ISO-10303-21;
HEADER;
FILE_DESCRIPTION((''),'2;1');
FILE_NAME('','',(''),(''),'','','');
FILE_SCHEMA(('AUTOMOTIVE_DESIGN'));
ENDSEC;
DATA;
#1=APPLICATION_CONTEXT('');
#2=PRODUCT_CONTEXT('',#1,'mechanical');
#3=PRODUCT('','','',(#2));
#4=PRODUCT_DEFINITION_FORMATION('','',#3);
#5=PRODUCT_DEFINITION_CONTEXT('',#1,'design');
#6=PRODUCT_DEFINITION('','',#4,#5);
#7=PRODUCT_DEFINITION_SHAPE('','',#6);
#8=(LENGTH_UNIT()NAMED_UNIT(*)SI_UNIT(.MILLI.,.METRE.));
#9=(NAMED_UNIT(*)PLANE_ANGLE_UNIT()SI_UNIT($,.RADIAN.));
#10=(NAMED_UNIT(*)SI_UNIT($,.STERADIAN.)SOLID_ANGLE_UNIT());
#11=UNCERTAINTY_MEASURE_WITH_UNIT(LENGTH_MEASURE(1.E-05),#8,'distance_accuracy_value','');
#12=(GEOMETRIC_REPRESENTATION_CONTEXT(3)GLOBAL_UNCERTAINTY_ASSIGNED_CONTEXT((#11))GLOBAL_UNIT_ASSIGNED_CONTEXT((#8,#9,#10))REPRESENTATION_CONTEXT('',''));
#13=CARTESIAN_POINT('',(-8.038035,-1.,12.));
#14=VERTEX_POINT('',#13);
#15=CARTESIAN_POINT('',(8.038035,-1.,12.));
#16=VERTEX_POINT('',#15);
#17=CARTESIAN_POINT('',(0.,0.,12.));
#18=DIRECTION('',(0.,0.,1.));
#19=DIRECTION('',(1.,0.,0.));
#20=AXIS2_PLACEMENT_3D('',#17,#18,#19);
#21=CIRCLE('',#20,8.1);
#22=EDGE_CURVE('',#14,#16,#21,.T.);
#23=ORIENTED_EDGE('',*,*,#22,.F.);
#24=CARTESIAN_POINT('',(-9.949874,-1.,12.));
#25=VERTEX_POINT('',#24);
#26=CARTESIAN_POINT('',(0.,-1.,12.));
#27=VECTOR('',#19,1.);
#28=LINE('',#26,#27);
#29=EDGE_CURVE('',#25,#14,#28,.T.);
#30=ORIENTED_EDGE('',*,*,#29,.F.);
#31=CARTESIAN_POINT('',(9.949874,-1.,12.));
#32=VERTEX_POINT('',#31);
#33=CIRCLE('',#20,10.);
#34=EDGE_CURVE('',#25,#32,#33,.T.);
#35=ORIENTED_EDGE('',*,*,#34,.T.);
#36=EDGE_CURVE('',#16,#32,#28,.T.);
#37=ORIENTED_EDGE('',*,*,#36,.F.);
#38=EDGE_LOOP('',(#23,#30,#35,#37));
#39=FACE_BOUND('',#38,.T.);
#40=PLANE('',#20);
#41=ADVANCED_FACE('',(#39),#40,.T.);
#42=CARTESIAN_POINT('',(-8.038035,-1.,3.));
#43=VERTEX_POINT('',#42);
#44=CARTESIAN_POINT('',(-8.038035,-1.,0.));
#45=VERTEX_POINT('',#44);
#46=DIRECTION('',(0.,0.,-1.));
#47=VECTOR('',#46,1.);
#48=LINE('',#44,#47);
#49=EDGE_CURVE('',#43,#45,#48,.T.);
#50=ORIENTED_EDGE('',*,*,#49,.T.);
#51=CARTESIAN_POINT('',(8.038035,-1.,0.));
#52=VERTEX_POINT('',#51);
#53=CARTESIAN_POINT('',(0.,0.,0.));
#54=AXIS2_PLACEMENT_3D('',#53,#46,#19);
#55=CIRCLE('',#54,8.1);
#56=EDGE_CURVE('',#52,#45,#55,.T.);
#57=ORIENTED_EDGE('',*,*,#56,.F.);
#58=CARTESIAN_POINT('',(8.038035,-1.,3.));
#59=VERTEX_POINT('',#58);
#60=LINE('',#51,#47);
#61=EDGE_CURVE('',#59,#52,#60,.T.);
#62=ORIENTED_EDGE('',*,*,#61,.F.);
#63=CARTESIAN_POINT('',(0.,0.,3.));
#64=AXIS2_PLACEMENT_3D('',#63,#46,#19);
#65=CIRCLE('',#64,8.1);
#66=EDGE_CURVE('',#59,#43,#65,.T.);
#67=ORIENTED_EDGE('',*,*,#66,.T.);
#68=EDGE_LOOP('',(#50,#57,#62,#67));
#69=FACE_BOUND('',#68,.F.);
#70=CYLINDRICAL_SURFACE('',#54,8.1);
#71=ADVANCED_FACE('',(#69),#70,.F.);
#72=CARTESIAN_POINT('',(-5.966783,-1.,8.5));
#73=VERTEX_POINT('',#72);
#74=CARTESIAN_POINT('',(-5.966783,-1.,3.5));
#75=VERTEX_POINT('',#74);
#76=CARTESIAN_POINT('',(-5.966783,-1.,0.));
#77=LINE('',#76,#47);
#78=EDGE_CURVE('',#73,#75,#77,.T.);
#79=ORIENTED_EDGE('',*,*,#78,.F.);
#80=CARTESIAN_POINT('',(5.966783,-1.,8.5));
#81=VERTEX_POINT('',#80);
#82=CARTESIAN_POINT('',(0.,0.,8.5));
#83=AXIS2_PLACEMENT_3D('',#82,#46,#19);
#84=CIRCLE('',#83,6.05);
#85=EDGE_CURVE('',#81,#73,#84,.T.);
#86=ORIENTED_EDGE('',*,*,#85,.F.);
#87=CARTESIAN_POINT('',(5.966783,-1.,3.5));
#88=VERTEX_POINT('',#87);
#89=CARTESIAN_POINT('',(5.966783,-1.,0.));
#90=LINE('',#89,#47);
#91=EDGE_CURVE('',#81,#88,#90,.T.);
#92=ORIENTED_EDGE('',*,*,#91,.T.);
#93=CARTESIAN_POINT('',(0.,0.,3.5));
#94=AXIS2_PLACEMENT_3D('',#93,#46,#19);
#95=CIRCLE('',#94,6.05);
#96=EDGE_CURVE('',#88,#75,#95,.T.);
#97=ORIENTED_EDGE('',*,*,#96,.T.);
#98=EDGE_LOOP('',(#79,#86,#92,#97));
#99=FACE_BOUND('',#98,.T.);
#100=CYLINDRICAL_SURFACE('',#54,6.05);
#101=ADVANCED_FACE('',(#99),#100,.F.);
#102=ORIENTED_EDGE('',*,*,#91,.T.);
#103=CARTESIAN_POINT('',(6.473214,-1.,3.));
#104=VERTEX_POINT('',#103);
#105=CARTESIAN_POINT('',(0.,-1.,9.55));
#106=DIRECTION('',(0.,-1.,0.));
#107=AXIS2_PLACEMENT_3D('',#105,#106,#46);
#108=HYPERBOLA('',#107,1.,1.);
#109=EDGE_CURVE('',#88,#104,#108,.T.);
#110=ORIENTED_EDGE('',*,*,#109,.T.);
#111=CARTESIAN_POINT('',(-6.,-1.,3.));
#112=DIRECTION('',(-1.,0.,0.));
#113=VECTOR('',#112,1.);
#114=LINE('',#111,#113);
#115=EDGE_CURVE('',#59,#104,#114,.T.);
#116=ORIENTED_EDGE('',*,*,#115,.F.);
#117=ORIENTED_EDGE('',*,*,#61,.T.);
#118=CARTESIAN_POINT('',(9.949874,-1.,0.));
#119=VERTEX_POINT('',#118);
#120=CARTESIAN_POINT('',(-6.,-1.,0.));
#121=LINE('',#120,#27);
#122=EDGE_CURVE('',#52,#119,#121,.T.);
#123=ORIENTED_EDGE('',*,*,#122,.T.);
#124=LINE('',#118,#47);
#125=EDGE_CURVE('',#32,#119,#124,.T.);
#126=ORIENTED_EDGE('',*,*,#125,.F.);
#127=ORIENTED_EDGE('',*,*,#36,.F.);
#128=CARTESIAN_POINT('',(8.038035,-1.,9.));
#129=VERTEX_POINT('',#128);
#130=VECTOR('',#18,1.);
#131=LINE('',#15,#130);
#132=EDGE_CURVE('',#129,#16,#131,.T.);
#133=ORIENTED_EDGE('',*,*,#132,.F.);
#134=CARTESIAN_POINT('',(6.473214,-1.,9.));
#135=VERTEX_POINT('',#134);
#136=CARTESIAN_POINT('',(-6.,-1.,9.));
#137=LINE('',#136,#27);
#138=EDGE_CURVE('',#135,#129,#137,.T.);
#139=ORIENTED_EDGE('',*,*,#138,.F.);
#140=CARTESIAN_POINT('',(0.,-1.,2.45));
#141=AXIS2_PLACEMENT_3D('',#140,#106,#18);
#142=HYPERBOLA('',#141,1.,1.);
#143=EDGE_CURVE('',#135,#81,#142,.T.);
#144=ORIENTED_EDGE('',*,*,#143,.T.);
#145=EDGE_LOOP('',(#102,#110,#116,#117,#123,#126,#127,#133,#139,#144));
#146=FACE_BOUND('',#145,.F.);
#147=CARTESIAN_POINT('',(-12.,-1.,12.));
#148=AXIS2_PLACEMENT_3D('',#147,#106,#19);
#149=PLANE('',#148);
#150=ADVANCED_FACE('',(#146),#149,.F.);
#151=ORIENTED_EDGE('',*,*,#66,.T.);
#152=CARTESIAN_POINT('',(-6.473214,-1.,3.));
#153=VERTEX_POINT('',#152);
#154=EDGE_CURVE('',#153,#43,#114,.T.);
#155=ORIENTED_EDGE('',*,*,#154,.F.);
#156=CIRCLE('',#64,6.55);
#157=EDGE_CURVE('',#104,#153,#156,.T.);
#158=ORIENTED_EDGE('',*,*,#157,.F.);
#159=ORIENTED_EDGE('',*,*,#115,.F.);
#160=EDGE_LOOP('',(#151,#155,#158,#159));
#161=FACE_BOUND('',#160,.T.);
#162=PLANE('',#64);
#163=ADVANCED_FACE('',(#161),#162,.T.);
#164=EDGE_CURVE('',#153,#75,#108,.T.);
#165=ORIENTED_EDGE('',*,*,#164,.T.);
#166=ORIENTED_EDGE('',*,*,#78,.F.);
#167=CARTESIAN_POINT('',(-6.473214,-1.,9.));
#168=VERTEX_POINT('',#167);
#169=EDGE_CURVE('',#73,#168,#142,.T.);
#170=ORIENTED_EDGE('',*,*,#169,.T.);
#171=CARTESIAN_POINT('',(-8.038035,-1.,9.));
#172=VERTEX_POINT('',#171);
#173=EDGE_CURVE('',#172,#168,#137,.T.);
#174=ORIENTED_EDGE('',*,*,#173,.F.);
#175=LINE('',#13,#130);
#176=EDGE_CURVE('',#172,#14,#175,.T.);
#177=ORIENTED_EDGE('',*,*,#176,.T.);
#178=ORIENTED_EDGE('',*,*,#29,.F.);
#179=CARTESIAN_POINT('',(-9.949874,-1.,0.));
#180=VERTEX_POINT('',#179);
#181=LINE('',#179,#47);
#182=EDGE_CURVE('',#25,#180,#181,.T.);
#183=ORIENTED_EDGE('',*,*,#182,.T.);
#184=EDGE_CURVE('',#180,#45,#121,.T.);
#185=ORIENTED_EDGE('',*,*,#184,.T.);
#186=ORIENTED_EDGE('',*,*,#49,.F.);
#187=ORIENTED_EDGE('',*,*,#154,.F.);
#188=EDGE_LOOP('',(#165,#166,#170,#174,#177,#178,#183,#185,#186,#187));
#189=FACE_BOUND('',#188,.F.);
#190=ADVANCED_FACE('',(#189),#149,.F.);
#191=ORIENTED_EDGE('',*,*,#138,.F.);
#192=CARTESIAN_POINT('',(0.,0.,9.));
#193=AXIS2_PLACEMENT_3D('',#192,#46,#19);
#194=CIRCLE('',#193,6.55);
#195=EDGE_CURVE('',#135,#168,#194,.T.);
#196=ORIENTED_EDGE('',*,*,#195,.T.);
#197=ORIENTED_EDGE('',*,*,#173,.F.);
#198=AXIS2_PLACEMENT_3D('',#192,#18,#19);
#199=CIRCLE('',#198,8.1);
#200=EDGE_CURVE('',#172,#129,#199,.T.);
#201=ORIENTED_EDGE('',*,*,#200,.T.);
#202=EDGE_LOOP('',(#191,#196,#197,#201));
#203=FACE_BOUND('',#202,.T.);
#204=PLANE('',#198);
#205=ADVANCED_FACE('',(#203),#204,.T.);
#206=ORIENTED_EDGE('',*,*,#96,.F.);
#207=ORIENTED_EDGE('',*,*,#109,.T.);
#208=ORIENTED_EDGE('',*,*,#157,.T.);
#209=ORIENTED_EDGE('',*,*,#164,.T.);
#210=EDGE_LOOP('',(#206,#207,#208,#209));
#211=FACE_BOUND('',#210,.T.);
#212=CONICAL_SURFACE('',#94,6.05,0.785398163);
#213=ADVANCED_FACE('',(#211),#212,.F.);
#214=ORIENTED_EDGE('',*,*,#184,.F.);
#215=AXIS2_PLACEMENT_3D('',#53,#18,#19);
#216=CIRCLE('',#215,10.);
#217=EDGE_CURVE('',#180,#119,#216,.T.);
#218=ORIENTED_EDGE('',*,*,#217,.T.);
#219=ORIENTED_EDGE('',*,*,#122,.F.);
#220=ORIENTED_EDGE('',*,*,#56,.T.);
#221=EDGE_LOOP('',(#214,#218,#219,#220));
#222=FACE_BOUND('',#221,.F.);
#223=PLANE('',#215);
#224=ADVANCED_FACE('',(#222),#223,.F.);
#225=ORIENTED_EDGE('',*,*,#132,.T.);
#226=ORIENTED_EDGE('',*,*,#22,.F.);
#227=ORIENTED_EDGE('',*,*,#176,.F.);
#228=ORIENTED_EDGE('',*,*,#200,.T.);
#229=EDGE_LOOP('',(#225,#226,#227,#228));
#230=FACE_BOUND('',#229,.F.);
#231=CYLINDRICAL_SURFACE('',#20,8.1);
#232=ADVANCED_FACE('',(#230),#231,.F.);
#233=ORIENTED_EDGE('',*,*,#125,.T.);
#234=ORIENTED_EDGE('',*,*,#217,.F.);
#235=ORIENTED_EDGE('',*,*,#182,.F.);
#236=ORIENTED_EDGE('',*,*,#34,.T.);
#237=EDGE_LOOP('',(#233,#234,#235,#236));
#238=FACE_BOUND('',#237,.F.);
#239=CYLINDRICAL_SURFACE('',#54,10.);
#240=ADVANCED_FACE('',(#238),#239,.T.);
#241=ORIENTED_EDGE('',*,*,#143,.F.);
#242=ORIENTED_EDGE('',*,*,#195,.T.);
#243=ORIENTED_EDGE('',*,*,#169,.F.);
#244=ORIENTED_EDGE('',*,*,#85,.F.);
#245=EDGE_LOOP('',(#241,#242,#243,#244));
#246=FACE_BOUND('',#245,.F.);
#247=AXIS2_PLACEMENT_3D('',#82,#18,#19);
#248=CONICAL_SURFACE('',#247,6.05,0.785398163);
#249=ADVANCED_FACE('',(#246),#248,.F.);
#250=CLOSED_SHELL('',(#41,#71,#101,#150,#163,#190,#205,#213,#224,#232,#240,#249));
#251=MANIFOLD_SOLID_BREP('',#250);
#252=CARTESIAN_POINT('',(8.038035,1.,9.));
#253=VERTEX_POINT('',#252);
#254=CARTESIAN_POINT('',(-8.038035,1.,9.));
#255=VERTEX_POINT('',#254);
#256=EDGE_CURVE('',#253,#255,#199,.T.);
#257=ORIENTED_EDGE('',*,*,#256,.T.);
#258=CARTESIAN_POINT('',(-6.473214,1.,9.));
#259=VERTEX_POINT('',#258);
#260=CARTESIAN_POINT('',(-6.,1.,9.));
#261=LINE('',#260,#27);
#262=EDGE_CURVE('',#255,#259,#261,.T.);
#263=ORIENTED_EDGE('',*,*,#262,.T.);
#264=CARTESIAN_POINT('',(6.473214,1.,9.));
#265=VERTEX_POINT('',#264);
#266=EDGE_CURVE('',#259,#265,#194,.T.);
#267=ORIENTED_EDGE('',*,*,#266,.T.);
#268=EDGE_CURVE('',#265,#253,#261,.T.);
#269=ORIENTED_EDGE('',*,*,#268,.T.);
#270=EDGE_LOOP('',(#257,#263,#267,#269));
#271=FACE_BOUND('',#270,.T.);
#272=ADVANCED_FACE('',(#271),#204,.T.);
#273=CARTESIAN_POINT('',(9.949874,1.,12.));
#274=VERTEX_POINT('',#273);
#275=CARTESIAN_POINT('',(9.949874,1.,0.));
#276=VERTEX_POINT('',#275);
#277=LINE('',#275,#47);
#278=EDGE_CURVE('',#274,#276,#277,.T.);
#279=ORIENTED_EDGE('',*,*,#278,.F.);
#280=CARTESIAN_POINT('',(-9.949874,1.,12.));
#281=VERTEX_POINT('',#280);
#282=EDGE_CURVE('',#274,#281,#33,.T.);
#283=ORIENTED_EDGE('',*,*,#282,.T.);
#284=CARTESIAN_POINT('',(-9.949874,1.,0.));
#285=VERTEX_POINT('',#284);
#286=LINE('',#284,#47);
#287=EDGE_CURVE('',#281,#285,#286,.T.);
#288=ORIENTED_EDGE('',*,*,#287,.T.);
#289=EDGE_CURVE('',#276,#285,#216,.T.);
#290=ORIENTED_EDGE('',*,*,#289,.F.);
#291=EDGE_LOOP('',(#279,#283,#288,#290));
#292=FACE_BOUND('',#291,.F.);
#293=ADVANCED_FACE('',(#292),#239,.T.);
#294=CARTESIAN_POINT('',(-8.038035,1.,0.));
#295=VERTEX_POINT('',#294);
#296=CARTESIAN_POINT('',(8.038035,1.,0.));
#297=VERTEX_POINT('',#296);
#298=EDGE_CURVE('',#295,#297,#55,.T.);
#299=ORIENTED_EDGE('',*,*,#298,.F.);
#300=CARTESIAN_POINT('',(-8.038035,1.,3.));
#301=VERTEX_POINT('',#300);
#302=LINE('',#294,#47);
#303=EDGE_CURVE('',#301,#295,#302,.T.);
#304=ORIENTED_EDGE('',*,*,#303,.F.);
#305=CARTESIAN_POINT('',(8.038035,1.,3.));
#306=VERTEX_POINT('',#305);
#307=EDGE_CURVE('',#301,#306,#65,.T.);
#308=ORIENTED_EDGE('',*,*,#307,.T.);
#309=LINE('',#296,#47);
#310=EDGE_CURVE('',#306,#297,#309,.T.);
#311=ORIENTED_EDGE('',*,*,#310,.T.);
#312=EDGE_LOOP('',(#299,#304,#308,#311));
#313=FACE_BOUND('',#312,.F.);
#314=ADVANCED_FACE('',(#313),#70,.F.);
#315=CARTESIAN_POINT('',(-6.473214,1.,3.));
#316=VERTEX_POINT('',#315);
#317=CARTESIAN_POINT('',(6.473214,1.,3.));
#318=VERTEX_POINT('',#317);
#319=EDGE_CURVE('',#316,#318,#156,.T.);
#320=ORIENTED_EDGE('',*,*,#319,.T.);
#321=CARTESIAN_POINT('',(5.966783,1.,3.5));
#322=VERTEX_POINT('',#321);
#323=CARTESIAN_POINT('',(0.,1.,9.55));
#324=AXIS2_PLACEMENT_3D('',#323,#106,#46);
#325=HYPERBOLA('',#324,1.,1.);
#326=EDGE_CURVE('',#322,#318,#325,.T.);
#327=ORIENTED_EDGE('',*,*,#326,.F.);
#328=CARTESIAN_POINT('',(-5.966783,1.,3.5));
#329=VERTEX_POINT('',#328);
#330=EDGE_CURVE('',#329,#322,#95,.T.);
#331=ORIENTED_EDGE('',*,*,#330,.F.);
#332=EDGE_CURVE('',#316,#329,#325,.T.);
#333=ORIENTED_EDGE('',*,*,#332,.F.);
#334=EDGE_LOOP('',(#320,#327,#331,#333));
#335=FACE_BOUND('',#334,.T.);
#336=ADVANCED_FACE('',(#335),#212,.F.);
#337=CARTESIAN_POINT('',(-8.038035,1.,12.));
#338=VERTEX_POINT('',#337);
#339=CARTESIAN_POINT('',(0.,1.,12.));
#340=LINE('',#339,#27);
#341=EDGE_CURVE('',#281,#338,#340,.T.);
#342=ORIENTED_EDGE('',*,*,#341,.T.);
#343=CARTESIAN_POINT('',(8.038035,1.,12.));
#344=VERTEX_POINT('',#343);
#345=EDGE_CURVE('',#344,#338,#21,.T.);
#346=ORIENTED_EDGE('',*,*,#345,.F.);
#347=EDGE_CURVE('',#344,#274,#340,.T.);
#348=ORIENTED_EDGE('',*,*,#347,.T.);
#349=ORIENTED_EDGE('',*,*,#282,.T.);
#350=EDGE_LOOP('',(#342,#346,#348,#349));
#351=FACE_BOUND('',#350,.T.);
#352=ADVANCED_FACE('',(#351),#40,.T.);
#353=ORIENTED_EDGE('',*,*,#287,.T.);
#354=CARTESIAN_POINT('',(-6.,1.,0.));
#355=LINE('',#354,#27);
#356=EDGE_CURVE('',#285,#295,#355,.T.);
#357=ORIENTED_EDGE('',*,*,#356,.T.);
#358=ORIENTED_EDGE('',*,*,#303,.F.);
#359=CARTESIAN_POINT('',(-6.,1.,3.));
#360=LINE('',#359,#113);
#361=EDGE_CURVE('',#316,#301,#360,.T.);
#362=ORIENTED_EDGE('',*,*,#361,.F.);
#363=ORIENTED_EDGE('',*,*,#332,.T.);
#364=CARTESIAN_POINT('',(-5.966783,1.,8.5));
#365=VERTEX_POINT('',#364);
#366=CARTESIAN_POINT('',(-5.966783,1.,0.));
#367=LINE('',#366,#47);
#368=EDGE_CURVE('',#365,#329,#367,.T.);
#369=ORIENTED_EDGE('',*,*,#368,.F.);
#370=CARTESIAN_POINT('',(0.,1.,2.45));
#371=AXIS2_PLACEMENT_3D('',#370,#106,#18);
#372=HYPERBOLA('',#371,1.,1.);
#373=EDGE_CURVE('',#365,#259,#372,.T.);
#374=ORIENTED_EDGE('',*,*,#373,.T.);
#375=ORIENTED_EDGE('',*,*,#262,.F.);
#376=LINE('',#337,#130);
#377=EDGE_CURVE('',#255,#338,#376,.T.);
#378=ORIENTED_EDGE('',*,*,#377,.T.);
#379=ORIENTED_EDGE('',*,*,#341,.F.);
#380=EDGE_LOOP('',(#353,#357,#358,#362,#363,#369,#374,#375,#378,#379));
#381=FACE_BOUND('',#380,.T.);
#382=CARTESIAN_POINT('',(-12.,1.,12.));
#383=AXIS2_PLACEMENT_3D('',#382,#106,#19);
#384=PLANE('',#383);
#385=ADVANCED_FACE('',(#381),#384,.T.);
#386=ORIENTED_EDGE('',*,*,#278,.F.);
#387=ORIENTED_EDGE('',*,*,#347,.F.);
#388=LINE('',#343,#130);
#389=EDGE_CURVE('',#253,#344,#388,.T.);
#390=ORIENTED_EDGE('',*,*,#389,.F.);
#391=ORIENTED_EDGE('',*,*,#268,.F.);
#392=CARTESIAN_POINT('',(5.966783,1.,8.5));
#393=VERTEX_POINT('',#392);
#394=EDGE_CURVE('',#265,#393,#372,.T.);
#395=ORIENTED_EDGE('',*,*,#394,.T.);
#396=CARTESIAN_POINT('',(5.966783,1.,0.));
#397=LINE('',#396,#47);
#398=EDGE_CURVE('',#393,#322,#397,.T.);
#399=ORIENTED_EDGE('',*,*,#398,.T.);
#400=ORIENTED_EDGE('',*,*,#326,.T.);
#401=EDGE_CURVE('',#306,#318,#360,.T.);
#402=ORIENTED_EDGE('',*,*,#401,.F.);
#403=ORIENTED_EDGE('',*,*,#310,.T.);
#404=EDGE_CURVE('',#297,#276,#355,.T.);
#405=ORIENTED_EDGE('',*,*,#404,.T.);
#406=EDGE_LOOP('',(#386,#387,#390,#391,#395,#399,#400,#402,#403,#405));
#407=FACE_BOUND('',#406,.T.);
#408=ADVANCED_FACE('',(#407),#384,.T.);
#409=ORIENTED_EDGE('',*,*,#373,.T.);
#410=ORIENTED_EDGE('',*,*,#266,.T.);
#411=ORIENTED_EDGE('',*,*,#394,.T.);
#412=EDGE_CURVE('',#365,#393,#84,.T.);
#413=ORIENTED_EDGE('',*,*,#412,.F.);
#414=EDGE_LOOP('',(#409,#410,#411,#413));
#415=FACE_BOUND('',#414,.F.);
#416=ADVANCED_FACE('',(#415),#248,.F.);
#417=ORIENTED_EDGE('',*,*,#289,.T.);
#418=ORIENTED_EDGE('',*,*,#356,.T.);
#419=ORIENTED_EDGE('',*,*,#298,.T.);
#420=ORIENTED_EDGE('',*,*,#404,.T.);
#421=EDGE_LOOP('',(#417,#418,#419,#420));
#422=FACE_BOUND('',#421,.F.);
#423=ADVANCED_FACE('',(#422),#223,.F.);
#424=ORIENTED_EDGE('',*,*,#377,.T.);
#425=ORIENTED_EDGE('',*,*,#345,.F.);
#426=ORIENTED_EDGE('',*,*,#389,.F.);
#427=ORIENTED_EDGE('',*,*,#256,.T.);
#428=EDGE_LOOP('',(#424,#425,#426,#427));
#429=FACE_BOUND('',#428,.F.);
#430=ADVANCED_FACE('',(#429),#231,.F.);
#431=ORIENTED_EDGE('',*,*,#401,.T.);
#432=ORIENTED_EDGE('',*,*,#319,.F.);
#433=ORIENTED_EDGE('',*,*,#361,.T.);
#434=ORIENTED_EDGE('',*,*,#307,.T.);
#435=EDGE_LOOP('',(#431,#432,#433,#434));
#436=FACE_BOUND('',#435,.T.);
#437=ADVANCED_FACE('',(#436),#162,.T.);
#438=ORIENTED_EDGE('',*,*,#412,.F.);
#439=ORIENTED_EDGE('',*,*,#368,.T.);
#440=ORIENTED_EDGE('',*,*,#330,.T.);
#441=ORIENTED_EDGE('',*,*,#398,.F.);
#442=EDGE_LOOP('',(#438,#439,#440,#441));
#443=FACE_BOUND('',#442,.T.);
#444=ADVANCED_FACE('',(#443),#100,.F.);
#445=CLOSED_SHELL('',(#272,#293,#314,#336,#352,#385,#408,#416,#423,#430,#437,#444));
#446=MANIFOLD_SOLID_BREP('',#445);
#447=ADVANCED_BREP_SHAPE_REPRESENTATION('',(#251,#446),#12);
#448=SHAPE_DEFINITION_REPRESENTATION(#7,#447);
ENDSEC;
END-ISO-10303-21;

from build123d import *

# Parameters (mm, degrees)
F0_R     = 10
F0_R_2   = 6.05
F1_DEPTH = 12
F2_R     = 8.1
F3_DEPTH = 3
F4_R     = 8.1
F5_DEPTH = 3
F6_SIZE  = 0.5
F7_W     = 24
F7_H     = 2
F8_DEPTH = 12.001


with BuildPart() as f1:
    # F0 (on Top) → F1 (new body)
    with BuildSketch(Plane.XY):
        Circle(F0_R)
        Circle(F0_R_2, mode=Mode.SUBTRACT)
    extrude(amount=F1_DEPTH)

    # F2 (on face) → F3 (cut)
    with BuildSketch(Plane(origin=(0, 0, 0), x_dir=(1, 0, 0), z_dir=(0, 0, -1))):
        Circle(F2_R)
    extrude(amount=-F3_DEPTH, mode=Mode.SUBTRACT)

    # F4 (on face) → F5 (cut)
    with BuildSketch(Plane.XY.offset(12)):
        Circle(F4_R)
    extrude(amount=-F5_DEPTH, mode=Mode.SUBTRACT)

    # F6
    f6_edges = [f1.edges().sort_by_distance(p)[0] for p in [
        (-6.05, 0, 9),
        (-6.05, 0, 3),
    ]]
    chamfer(f6_edges, length=F6_SIZE)

    # F7 (on face) → F8 (cut, through all)
    with BuildSketch(Plane.XY.offset(12)):
        Rectangle(F7_W, F7_H)
    extrude(amount=-F8_DEPTH, mode=Mode.SUBTRACT)


solid = f1.part
